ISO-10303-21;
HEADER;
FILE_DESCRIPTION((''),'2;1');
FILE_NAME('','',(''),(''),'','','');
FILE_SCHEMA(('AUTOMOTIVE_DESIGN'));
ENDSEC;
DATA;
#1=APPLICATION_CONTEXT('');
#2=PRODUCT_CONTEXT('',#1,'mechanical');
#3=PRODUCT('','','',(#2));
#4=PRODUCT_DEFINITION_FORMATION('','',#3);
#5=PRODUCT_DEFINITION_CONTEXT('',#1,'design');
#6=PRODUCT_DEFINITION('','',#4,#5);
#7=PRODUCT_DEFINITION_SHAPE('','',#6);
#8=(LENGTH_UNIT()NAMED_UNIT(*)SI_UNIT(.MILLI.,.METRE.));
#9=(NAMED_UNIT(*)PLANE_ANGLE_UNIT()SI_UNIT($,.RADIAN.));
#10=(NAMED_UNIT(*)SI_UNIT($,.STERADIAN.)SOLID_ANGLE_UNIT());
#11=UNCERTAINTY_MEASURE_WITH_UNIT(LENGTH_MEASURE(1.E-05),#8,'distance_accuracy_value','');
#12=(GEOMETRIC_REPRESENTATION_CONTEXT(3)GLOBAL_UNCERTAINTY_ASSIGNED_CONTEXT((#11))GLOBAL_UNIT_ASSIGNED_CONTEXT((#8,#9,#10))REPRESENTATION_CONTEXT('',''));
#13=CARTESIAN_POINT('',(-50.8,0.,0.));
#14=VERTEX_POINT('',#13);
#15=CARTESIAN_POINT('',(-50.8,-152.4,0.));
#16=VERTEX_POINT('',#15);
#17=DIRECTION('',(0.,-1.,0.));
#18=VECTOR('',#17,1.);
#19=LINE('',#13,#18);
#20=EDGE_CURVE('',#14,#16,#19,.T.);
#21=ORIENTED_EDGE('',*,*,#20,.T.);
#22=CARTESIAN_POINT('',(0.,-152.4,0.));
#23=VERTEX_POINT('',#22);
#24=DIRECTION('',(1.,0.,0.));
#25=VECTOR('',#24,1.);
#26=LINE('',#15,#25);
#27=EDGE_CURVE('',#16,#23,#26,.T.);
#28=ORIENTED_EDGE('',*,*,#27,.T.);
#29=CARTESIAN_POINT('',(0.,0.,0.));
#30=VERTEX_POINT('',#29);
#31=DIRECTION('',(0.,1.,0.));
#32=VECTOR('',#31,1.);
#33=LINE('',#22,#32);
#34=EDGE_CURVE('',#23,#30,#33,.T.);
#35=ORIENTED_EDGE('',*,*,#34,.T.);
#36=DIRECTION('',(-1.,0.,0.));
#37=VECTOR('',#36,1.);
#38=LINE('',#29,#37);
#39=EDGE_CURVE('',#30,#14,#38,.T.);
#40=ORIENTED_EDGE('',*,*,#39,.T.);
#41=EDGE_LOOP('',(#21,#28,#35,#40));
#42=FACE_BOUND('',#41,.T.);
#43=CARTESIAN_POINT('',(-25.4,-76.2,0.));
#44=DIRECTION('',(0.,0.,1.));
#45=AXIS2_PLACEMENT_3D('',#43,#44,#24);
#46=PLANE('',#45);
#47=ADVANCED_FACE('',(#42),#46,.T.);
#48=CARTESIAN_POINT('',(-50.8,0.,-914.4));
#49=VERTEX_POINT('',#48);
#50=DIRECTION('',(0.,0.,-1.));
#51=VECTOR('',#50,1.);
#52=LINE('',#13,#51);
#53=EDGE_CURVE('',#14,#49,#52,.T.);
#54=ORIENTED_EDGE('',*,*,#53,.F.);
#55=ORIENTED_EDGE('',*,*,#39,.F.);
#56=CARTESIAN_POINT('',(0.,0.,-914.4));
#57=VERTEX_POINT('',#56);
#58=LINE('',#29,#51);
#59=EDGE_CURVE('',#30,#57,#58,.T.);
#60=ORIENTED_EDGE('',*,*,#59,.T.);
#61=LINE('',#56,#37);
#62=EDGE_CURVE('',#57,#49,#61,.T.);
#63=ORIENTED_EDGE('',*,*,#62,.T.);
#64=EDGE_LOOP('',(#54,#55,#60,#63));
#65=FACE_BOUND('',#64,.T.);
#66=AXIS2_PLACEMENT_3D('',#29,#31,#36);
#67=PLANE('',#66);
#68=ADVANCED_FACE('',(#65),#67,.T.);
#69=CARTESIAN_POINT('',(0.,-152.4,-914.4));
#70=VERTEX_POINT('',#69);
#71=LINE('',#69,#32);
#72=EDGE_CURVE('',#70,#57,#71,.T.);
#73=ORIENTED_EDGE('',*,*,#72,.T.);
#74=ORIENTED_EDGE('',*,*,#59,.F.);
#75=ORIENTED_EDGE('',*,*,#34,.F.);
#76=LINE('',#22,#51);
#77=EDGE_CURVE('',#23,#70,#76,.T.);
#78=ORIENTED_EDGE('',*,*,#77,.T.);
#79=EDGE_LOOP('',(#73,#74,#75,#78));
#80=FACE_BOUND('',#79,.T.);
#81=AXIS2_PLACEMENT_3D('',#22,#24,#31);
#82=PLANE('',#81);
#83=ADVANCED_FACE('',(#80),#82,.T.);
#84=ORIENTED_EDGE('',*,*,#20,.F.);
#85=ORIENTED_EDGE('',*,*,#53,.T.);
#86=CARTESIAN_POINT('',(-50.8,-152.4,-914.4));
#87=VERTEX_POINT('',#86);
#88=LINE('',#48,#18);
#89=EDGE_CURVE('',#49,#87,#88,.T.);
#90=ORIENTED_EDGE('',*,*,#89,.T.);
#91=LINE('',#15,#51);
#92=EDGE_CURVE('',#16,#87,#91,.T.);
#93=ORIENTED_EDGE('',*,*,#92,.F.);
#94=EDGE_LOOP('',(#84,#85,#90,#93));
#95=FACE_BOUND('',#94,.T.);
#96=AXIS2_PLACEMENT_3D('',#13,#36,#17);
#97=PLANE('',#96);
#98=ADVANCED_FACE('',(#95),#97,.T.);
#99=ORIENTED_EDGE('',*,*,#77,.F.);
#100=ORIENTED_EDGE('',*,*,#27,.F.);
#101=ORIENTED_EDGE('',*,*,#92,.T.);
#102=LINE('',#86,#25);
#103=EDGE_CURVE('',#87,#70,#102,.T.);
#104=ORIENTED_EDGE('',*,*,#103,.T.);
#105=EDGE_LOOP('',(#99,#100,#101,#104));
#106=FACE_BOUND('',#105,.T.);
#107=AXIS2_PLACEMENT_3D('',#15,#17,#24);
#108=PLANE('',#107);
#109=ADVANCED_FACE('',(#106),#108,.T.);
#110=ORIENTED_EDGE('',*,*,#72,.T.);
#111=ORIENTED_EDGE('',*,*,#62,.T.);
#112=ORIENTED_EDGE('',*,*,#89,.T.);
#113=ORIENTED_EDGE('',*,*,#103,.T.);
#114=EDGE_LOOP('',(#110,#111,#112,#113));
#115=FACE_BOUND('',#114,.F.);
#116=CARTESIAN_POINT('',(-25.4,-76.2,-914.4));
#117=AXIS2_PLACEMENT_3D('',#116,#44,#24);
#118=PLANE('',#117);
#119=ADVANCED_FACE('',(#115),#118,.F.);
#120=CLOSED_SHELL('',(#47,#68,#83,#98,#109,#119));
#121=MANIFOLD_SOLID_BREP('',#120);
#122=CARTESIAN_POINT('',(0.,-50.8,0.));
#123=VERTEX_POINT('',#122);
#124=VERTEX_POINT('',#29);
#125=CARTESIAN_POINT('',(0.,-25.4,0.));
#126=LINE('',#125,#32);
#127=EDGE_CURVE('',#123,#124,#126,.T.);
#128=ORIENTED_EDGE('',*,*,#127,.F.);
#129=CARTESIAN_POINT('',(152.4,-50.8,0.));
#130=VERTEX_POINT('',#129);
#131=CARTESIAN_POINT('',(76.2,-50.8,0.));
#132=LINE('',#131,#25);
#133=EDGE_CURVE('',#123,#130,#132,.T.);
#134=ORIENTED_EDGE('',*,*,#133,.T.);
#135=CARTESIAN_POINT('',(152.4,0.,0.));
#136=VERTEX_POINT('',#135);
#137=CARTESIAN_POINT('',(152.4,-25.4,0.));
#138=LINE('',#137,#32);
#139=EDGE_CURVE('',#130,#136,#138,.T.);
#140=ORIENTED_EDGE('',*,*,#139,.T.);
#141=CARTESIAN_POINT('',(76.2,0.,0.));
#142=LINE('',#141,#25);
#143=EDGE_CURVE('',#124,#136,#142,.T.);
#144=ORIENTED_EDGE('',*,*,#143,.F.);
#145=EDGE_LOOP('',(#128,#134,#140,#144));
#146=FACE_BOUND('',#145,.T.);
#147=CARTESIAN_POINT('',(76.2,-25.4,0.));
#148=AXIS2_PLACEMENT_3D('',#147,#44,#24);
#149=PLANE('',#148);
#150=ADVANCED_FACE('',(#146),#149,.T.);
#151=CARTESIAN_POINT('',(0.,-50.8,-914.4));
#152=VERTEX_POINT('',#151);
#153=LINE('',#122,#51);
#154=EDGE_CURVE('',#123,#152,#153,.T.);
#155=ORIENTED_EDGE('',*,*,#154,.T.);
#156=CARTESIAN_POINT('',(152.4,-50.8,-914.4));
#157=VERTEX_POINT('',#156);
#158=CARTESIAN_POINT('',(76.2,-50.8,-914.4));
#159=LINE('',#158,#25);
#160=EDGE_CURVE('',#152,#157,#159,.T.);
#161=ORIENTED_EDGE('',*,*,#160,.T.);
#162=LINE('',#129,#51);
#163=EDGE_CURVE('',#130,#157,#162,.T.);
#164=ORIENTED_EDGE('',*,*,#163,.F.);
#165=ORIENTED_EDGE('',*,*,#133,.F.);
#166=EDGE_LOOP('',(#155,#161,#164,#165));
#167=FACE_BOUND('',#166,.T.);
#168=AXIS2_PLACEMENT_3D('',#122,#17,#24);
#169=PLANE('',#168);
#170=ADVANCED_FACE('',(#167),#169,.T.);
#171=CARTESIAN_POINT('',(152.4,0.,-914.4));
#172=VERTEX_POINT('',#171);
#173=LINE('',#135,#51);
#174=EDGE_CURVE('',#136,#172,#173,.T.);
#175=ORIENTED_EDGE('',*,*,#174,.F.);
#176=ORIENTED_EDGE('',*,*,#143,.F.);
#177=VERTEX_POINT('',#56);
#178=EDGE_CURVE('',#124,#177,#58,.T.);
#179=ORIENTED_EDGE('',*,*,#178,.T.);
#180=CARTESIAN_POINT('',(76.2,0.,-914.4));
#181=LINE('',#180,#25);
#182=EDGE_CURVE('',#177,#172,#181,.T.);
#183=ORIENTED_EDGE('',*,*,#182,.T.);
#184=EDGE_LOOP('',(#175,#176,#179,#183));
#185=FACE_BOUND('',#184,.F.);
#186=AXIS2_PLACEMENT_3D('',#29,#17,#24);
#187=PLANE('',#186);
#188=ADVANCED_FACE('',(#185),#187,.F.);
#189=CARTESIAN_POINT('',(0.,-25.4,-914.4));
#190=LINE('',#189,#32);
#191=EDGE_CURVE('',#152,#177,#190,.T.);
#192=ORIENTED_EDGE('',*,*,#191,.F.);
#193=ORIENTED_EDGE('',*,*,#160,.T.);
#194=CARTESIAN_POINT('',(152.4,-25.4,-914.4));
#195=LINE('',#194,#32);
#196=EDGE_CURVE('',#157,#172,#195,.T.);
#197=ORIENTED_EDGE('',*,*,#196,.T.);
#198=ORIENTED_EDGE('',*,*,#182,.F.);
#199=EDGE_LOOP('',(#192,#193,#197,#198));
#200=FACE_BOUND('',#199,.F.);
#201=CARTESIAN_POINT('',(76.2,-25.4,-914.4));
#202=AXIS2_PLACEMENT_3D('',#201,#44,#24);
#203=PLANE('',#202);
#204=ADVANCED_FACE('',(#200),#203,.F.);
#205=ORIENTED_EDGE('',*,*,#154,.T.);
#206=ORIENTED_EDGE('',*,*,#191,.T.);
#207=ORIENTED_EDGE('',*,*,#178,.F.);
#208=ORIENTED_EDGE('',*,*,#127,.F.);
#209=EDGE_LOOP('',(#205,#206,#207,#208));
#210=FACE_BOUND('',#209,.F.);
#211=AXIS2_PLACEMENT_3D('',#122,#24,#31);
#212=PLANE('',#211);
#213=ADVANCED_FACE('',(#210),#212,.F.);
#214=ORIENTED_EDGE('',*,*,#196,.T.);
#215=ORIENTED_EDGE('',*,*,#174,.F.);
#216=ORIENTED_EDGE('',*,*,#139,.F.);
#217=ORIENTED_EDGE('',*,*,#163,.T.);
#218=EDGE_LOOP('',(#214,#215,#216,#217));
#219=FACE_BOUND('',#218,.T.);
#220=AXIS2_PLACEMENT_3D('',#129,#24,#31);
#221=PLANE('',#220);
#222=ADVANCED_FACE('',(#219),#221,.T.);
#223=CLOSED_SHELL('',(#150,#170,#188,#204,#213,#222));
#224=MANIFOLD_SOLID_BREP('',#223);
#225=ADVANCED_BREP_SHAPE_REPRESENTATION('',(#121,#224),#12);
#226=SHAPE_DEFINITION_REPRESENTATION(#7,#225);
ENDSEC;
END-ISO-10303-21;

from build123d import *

# Parameters (mm, degrees)
F0_W     = 152.4
F0_H     = 50.8
F1_DEPTH = 914.4
F2_DEPTH = 914.4


with BuildPart() as f1:
    # F0 (on Top) → F1 (new body)
    with BuildSketch(Plane.XY):
        with Locations((76.2, -25.4)):
            Rectangle(F0_W, F0_H)
    extrude(amount=-F1_DEPTH)


with BuildPart() as f2:
    # F0 (on Top) → F2 (new body)
    with BuildSketch(Plane.XY):
        Polygon((0, -50.8), (0, 0), (-50.8, 0), (-50.8, -152.4), (0, -152.4), align=None)
    extrude(amount=-F2_DEPTH)


solid = Compound([f1.part, f2.part])
